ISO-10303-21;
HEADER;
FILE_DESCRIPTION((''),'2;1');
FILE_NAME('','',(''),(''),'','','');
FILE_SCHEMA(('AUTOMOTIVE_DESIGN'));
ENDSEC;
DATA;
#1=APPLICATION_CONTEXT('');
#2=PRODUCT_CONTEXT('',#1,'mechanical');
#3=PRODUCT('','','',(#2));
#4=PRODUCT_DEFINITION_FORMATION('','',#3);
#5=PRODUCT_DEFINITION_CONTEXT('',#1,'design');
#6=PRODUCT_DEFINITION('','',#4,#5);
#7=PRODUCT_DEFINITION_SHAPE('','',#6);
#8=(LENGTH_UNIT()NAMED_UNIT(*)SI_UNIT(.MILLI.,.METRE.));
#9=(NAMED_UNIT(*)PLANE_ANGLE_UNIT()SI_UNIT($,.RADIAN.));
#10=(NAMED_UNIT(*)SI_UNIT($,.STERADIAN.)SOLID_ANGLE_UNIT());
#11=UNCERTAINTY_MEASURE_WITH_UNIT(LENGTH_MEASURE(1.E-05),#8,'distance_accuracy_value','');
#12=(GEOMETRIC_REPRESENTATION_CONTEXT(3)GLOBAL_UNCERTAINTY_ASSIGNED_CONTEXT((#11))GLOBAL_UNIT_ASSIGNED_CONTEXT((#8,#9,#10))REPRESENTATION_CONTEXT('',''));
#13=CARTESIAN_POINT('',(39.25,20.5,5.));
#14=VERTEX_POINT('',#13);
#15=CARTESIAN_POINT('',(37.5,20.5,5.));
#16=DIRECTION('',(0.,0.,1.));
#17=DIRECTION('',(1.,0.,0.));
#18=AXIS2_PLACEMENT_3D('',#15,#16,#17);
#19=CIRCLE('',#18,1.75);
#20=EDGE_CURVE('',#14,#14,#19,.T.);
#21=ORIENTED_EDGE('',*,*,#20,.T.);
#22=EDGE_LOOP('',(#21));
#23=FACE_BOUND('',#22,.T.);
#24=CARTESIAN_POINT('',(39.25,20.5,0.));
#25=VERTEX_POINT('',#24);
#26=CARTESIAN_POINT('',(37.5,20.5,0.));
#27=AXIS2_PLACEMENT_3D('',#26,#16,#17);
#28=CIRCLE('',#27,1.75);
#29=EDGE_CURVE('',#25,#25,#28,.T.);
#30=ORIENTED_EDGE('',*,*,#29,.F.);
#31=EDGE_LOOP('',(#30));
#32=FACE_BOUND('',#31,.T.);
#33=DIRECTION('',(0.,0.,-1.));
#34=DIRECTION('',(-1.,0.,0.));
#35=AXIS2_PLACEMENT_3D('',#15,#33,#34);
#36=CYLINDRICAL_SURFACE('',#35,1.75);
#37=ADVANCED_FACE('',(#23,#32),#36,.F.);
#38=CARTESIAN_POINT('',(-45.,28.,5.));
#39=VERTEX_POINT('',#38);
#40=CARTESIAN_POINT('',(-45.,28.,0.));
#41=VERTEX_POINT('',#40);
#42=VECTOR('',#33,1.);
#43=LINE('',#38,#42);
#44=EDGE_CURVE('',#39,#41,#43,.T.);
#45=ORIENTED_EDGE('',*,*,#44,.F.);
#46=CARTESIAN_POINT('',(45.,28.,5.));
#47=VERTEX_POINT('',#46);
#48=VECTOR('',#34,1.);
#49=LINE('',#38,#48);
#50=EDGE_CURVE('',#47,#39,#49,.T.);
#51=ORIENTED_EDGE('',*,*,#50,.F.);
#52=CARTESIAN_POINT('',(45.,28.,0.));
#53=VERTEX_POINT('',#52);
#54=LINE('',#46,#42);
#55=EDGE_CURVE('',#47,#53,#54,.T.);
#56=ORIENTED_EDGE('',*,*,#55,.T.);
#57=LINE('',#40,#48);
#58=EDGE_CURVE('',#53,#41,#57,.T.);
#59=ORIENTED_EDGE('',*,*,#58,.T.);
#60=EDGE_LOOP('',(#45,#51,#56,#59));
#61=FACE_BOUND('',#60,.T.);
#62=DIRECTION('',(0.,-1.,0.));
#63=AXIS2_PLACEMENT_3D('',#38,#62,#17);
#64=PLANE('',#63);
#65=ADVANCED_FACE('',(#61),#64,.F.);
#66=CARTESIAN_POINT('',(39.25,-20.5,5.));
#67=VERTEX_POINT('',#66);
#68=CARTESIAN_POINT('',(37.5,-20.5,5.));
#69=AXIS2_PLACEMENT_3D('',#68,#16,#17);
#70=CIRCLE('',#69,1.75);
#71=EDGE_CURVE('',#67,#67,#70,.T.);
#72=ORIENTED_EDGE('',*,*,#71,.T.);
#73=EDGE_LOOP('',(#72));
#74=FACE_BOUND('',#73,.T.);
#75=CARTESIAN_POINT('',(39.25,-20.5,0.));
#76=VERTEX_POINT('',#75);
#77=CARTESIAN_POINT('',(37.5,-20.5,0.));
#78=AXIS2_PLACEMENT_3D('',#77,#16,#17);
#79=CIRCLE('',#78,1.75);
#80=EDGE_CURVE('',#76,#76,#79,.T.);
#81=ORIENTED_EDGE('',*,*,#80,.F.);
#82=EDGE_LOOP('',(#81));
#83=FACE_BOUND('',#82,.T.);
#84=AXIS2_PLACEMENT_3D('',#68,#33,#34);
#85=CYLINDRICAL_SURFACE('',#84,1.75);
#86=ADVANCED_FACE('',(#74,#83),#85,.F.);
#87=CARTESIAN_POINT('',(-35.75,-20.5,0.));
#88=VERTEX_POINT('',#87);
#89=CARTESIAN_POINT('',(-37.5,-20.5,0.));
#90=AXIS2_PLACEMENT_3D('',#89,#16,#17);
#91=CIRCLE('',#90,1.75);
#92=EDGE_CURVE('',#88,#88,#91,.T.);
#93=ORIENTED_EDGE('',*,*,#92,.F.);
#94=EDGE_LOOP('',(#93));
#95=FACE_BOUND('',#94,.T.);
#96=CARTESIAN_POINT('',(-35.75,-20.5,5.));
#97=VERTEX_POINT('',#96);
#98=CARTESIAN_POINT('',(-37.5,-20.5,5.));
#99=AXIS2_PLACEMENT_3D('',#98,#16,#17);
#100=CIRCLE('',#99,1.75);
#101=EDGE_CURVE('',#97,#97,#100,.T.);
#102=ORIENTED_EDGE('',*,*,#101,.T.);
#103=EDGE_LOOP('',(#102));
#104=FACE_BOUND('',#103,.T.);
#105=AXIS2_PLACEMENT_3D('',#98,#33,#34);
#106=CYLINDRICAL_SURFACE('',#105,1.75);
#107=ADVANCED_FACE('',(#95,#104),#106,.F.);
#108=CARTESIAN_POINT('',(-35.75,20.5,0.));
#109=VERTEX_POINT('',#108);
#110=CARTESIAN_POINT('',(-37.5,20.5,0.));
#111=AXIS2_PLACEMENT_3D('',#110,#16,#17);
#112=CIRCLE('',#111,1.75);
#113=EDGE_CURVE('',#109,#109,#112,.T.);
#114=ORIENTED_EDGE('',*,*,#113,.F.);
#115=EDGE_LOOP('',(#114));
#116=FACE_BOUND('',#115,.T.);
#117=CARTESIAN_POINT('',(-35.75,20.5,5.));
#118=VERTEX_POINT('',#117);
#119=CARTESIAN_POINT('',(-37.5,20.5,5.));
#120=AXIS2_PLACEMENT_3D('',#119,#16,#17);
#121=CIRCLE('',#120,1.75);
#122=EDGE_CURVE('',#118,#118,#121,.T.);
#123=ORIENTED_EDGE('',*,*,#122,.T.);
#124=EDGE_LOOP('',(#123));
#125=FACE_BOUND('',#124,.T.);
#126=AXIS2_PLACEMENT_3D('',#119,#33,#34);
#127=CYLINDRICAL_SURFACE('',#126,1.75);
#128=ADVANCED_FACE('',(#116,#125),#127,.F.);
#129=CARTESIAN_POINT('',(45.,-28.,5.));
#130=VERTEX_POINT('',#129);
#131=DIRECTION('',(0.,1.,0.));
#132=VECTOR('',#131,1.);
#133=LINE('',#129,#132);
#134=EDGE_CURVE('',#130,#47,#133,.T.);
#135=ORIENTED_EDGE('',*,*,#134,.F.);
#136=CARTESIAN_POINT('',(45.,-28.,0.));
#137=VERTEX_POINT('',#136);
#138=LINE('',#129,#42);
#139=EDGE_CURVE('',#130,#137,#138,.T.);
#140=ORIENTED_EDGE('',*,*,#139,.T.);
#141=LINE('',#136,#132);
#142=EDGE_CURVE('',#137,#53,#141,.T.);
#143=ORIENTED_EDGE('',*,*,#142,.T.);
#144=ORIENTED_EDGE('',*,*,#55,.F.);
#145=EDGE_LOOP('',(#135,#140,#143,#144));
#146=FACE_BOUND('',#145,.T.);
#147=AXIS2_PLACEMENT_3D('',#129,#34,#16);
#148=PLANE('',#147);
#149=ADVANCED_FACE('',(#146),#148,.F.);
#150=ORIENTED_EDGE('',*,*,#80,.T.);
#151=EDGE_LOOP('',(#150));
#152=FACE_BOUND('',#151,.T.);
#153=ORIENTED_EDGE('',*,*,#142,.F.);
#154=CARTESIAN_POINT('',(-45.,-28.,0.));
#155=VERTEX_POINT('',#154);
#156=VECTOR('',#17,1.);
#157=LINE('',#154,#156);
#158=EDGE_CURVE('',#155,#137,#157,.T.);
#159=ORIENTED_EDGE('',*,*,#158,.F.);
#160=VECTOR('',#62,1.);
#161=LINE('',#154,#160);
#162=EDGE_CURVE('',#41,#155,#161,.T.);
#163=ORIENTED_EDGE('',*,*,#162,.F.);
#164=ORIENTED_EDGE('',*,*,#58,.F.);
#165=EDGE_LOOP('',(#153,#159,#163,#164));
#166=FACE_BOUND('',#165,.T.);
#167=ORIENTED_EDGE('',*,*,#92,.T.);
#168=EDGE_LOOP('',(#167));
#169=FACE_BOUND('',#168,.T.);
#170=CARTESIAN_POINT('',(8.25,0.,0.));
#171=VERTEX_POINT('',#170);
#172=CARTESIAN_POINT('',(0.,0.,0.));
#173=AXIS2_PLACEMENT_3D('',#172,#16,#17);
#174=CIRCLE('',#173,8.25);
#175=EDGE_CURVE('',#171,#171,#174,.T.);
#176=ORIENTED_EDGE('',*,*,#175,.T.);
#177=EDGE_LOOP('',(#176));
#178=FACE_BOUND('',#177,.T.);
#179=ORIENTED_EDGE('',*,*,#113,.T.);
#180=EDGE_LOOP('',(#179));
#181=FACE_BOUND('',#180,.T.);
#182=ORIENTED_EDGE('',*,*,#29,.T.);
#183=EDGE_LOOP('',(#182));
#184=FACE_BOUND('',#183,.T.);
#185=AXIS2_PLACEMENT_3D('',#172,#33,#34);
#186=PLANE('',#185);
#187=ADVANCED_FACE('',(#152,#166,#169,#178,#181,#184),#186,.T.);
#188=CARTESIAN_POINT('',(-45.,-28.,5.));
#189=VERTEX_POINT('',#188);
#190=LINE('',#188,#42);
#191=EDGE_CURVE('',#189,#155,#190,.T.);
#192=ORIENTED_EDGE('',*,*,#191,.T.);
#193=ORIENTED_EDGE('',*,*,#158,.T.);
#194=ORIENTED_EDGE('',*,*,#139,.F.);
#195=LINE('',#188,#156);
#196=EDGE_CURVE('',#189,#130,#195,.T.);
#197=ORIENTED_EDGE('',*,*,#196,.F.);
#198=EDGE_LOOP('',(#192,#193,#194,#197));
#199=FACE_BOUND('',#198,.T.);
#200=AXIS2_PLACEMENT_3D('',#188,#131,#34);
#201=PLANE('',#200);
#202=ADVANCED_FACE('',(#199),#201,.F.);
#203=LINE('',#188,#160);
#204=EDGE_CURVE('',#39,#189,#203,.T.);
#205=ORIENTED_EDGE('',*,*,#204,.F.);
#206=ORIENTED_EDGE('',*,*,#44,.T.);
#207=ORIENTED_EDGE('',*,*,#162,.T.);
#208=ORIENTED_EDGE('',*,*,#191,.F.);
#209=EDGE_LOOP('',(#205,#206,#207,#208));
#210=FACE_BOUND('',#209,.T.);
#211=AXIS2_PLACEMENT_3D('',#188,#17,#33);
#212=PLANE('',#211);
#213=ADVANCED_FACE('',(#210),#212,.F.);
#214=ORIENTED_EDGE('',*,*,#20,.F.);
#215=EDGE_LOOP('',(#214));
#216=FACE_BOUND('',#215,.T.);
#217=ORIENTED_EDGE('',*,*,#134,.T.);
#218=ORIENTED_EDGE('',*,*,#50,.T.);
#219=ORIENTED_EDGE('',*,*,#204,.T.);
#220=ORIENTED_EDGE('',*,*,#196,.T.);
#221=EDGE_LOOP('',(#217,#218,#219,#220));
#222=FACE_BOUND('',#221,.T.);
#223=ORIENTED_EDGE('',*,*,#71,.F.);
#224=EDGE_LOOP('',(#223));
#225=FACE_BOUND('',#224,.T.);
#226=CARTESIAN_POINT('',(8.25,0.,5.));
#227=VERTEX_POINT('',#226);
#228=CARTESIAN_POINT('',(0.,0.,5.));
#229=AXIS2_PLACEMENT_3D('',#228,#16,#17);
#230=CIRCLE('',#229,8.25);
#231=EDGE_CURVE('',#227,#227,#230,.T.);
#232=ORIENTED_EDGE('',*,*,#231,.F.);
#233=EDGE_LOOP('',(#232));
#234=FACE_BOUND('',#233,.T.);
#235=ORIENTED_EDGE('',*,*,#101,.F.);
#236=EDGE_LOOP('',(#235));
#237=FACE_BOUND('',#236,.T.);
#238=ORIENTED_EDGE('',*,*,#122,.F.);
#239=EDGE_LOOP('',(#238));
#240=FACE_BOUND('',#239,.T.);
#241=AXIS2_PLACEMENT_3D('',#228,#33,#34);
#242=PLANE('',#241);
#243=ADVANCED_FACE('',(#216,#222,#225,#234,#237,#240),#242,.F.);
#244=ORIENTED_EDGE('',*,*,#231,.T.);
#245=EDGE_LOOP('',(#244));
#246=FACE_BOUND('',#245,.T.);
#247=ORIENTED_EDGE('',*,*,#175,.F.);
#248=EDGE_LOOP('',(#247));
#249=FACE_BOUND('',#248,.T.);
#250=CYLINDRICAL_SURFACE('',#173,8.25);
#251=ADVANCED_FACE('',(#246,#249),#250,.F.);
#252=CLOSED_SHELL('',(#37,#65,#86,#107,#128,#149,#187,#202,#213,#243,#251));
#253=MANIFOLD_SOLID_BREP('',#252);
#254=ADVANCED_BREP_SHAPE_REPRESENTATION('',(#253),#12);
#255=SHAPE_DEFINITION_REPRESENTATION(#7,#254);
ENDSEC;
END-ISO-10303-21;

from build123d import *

# Parameters (mm, degrees)
SKETCH_1_W          = 90
SKETCH_1_H          = 56
SKETCH_1_R          = 1.75
EXTRUDE_1_DEPTH     = 5
SKETCH_2_R          = 8.25
CUT_EXTRUDE_1_DEPTH = 5


with BuildPart() as part:
    # ｽｹｯﾁ1 → ﾎﾞｽ - 押し出し1 (new body)
    with BuildSketch(Plane.XY):
        Rectangle(SKETCH_1_W, SKETCH_1_H)
        with Locations((-37.5, 20.5)):
            Circle(SKETCH_1_R, mode=Mode.SUBTRACT)
        with Locations((37.5, 20.5)):
            Circle(SKETCH_1_R, mode=Mode.SUBTRACT)
        with Locations((37.5, -20.5)):
            Circle(SKETCH_1_R, mode=Mode.SUBTRACT)
        with Locations((-37.5, -20.5)):
            Circle(SKETCH_1_R, mode=Mode.SUBTRACT)
    extrude(amount=EXTRUDE_1_DEPTH)

    # ｽｹｯﾁ2 → ｶｯﾄ - 押し出し1 (cut)
    with BuildSketch(Plane.XY.offset(5)):
        Circle(SKETCH_2_R)
    extrude(amount=-CUT_EXTRUDE_1_DEPTH, mode=Mode.SUBTRACT)


solid = part.part
